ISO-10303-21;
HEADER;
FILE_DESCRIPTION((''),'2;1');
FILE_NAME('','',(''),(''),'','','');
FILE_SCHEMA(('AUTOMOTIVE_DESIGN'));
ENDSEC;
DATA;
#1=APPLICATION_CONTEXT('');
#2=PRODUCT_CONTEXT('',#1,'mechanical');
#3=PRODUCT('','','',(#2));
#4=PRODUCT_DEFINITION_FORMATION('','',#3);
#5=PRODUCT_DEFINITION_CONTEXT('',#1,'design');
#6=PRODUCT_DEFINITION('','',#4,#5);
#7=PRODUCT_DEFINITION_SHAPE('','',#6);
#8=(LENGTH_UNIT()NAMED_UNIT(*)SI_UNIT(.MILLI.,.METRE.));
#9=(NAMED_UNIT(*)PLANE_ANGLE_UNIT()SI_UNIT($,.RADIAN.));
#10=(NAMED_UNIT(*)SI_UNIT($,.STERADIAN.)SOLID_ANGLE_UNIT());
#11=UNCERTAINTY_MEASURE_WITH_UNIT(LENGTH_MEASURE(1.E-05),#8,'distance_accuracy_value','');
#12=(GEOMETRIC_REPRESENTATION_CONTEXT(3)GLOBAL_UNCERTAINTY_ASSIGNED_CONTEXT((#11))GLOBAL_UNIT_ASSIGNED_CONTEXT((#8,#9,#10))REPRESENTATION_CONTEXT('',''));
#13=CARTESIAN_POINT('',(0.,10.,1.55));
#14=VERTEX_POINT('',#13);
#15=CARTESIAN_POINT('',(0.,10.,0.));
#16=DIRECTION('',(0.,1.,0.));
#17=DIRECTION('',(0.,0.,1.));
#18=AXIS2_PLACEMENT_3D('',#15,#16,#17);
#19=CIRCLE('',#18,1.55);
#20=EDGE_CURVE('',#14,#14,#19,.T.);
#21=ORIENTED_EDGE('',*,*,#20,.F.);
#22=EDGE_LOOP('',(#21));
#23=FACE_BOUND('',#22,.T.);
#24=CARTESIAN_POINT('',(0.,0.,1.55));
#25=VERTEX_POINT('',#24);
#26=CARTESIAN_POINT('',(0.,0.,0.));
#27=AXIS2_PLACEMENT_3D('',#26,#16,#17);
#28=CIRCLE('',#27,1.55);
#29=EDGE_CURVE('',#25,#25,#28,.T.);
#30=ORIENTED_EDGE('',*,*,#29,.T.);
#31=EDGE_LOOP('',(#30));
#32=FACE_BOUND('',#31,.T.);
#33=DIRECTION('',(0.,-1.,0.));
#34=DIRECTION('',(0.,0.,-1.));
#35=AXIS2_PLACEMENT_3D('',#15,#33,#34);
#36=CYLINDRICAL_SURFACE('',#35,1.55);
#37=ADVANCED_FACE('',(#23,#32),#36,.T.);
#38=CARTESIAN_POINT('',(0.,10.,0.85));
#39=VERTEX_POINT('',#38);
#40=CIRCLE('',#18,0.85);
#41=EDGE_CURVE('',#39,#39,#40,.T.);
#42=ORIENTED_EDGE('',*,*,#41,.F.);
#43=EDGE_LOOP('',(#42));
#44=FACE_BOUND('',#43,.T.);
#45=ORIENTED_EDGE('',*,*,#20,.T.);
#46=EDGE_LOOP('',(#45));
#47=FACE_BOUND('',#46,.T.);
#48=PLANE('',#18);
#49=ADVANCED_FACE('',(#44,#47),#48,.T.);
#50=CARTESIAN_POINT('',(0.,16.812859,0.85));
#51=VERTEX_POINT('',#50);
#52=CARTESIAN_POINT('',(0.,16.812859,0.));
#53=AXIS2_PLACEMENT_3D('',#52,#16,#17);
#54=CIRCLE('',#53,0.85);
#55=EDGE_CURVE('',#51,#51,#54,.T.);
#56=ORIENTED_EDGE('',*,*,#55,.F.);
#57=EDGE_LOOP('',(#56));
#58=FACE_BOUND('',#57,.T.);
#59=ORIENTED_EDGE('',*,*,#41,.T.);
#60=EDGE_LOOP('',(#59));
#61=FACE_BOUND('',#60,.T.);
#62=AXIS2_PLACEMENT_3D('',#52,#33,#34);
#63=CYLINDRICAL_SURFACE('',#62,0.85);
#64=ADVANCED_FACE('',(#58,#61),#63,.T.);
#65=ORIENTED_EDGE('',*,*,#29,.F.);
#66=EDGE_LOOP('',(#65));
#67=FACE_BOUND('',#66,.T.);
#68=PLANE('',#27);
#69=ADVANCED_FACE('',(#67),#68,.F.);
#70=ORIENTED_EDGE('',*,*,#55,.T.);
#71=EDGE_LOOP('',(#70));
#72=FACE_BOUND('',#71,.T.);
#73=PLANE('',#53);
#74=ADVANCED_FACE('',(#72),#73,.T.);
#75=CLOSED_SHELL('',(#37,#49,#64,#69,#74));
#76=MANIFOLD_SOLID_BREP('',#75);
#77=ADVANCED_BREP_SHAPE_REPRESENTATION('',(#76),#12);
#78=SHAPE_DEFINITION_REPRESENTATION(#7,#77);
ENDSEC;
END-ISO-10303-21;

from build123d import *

# Parameters (mm, degrees)
SKETCH2_R           = 1.55
BOSS_EXTRUDE1_DEPTH = 10
SKETCH3_R           = 0.85
BOSS_EXTRUDE2_DEPTH = 6.812859237


with BuildPart() as part:
    # Sketch2 → Boss-Extrude1 (new body)
    with BuildSketch(Plane(origin=(0, 0, 0), x_dir=(1, 0, 0), z_dir=(0, 1, 0))):
        Circle(SKETCH2_R)
    extrude(amount=BOSS_EXTRUDE1_DEPTH)

    # Sketch3 → Boss-Extrude2 (add)
    with BuildSketch(Plane(origin=(0, 10, 0), x_dir=(1, 0, 0), z_dir=(0, 1, 0))):
        Circle(SKETCH3_R)
    extrude(amount=BOSS_EXTRUDE2_DEPTH)


solid = part.part
